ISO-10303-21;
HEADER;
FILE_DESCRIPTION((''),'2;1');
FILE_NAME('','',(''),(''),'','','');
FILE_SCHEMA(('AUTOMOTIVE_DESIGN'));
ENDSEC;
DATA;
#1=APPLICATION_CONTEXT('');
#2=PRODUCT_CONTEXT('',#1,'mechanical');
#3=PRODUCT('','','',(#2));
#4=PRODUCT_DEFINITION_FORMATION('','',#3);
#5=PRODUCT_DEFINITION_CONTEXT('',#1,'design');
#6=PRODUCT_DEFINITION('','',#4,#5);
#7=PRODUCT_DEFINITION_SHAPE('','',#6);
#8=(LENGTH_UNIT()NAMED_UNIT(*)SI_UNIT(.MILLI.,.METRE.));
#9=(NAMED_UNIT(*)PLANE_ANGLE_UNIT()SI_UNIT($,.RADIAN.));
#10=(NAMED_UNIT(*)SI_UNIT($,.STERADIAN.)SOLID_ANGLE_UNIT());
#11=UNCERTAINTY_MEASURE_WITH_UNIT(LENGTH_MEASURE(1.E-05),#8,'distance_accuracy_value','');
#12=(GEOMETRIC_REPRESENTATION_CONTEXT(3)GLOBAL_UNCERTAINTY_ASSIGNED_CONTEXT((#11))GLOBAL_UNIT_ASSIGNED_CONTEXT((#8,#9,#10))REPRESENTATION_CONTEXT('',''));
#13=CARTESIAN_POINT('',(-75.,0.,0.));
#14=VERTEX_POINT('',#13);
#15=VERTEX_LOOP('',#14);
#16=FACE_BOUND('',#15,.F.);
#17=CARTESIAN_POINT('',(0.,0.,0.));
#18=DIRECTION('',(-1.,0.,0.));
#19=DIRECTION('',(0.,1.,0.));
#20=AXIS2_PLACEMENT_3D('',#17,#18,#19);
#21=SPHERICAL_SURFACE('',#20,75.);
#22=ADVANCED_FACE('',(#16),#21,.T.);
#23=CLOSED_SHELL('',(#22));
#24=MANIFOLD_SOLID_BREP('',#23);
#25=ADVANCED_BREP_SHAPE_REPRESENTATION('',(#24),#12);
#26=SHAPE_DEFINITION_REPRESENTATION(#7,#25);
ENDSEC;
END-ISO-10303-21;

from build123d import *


with BuildPart() as part:
    # Sketch1 → Revolve4 (revolve)
    with BuildSketch(Plane.XY):
        with BuildLine():
            Line((-75, 0), (75, 0))
            ThreePointArc((75, 0), (0, 75), (-75, 0))
        make_face()
    revolve(axis=Axis((-75, 0, 0), (1, 0, 0)))


solid = part.part
